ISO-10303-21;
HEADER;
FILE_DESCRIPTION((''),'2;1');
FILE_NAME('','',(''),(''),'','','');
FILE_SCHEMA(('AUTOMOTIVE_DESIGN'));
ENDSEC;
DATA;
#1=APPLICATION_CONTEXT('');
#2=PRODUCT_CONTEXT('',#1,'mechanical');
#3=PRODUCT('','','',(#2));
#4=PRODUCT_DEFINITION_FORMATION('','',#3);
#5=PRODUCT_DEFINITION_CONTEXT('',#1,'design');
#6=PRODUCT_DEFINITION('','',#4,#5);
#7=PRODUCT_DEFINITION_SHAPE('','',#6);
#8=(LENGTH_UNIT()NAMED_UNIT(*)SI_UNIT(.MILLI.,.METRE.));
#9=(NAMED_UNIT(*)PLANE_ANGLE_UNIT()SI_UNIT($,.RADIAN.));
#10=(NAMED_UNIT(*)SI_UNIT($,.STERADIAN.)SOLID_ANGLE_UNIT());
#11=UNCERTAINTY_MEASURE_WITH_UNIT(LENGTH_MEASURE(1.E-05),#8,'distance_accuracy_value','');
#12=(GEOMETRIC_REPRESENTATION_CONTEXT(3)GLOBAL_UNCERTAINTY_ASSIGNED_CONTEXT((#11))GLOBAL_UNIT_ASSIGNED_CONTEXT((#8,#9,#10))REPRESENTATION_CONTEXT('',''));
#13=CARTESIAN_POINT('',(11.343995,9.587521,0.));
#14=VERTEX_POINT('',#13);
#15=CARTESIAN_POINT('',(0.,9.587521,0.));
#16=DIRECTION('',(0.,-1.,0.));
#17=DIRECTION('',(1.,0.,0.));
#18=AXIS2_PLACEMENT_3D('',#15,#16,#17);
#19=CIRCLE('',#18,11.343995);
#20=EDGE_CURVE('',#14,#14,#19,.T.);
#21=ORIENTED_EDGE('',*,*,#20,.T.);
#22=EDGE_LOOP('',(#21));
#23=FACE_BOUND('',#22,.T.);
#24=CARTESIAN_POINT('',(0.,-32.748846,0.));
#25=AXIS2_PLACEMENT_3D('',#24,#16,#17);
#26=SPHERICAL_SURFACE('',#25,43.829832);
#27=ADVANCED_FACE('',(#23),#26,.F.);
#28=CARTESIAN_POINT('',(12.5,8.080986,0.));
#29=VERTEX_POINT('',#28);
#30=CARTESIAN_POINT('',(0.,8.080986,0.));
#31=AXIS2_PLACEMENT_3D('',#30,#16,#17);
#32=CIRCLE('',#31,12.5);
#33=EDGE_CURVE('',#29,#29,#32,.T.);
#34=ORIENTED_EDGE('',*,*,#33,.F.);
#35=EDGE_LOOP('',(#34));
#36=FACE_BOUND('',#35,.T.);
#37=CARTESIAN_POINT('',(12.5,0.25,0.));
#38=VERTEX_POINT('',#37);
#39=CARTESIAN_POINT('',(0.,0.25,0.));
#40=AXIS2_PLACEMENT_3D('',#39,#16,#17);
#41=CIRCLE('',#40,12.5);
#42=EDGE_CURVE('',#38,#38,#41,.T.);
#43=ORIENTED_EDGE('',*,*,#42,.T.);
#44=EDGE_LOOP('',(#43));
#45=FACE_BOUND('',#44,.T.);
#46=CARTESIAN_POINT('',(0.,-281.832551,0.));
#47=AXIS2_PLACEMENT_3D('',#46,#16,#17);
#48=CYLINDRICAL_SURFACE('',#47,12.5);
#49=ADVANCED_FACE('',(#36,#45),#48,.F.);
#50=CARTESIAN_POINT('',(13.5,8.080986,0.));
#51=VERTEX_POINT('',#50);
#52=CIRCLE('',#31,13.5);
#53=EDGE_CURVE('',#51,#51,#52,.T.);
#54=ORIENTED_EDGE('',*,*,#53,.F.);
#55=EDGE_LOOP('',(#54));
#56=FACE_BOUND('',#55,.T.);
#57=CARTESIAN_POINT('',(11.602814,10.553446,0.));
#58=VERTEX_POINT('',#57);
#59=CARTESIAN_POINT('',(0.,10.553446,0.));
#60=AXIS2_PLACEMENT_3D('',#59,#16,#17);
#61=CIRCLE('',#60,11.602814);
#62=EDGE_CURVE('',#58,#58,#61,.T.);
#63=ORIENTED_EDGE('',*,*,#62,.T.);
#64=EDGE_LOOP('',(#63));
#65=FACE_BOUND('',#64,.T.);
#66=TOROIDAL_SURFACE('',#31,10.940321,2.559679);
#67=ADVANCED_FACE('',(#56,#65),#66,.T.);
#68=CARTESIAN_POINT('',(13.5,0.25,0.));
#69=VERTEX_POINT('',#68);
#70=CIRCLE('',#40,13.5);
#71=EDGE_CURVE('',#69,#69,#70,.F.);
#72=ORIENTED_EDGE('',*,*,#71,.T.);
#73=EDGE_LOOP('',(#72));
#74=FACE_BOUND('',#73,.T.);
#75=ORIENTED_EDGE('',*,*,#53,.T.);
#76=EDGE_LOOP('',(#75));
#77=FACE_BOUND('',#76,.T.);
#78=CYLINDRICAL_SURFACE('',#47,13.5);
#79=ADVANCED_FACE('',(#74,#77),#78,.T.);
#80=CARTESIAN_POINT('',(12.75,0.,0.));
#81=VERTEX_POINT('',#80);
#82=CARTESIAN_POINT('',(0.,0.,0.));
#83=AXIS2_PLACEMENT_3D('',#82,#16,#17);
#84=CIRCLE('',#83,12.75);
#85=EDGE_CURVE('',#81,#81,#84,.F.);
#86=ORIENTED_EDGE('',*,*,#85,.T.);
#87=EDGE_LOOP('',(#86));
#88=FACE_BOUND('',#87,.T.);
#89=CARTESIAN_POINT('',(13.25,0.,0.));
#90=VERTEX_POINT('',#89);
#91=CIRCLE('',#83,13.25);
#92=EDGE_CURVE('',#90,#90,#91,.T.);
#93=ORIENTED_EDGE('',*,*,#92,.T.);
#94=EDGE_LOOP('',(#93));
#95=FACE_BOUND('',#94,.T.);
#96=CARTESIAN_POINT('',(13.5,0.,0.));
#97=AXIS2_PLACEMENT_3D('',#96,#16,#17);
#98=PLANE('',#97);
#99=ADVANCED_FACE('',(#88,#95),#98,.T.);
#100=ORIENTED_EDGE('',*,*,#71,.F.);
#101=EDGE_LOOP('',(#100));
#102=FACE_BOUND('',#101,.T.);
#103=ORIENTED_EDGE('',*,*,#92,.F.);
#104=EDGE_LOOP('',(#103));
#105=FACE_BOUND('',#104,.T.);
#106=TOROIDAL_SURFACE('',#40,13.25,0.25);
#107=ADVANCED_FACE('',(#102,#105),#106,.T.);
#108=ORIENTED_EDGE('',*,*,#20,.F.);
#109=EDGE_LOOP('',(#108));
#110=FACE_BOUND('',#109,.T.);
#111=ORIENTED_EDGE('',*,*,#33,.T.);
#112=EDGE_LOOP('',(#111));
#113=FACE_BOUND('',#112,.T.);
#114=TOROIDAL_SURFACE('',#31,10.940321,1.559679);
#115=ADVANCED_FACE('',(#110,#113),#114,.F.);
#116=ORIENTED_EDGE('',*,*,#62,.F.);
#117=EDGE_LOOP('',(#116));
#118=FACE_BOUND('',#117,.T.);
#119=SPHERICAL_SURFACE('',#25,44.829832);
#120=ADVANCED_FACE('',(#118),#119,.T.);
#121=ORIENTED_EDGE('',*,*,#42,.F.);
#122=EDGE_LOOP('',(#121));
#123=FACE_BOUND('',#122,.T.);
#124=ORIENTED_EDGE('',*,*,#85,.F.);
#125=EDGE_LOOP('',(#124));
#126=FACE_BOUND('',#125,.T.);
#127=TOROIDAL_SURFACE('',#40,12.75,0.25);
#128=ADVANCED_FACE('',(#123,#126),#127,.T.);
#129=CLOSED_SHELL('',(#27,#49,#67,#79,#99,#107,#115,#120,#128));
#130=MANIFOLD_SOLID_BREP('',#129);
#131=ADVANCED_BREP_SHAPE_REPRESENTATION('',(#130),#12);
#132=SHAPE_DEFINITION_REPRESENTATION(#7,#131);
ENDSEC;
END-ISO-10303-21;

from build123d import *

# Parameters (mm, degrees)
FILLET1_R = 0.25


with BuildPart() as part:
    # Sketch1 → Revolve1 (revolve)
    with BuildSketch(Plane.XY):
        with BuildLine():
            Line((13.5, 8.080985965), (13.5, 0))
            Line((13.5, 0), (12.5, 0))
            Line((12.5, 0), (12.5, 8.080985965))
            ThreePointArc((12.5, 8.080985965), (12.177697445, 9.030458674), (11.343995274, 9.587520655))
            ThreePointArc((11.343995274, 9.587520655), (5.720941081, 10.706015676), (0, 11.080985965))
            Line((0, 11.080985965), (0, 12.080985965))
            ThreePointArc((0, 12.080985965), (5.851467273, 11.697460538), (11.60281432, 10.553446481))
            ThreePointArc((11.60281432, 10.553446481), (12.971050786, 9.639220103), (13.5, 8.080985965))
        make_face()
    revolve(axis=Axis((0, -281.832551031, 0), (0, 1, 0)))

    # Fillet1
    fillet1_edges = [part.edges().sort_by_distance(p)[0] for p in [
        (-13.5, 0, 0),
        (-12.5, 0, 0),
    ]]
    fillet(fillet1_edges, radius=FILLET1_R)


solid = part.part
